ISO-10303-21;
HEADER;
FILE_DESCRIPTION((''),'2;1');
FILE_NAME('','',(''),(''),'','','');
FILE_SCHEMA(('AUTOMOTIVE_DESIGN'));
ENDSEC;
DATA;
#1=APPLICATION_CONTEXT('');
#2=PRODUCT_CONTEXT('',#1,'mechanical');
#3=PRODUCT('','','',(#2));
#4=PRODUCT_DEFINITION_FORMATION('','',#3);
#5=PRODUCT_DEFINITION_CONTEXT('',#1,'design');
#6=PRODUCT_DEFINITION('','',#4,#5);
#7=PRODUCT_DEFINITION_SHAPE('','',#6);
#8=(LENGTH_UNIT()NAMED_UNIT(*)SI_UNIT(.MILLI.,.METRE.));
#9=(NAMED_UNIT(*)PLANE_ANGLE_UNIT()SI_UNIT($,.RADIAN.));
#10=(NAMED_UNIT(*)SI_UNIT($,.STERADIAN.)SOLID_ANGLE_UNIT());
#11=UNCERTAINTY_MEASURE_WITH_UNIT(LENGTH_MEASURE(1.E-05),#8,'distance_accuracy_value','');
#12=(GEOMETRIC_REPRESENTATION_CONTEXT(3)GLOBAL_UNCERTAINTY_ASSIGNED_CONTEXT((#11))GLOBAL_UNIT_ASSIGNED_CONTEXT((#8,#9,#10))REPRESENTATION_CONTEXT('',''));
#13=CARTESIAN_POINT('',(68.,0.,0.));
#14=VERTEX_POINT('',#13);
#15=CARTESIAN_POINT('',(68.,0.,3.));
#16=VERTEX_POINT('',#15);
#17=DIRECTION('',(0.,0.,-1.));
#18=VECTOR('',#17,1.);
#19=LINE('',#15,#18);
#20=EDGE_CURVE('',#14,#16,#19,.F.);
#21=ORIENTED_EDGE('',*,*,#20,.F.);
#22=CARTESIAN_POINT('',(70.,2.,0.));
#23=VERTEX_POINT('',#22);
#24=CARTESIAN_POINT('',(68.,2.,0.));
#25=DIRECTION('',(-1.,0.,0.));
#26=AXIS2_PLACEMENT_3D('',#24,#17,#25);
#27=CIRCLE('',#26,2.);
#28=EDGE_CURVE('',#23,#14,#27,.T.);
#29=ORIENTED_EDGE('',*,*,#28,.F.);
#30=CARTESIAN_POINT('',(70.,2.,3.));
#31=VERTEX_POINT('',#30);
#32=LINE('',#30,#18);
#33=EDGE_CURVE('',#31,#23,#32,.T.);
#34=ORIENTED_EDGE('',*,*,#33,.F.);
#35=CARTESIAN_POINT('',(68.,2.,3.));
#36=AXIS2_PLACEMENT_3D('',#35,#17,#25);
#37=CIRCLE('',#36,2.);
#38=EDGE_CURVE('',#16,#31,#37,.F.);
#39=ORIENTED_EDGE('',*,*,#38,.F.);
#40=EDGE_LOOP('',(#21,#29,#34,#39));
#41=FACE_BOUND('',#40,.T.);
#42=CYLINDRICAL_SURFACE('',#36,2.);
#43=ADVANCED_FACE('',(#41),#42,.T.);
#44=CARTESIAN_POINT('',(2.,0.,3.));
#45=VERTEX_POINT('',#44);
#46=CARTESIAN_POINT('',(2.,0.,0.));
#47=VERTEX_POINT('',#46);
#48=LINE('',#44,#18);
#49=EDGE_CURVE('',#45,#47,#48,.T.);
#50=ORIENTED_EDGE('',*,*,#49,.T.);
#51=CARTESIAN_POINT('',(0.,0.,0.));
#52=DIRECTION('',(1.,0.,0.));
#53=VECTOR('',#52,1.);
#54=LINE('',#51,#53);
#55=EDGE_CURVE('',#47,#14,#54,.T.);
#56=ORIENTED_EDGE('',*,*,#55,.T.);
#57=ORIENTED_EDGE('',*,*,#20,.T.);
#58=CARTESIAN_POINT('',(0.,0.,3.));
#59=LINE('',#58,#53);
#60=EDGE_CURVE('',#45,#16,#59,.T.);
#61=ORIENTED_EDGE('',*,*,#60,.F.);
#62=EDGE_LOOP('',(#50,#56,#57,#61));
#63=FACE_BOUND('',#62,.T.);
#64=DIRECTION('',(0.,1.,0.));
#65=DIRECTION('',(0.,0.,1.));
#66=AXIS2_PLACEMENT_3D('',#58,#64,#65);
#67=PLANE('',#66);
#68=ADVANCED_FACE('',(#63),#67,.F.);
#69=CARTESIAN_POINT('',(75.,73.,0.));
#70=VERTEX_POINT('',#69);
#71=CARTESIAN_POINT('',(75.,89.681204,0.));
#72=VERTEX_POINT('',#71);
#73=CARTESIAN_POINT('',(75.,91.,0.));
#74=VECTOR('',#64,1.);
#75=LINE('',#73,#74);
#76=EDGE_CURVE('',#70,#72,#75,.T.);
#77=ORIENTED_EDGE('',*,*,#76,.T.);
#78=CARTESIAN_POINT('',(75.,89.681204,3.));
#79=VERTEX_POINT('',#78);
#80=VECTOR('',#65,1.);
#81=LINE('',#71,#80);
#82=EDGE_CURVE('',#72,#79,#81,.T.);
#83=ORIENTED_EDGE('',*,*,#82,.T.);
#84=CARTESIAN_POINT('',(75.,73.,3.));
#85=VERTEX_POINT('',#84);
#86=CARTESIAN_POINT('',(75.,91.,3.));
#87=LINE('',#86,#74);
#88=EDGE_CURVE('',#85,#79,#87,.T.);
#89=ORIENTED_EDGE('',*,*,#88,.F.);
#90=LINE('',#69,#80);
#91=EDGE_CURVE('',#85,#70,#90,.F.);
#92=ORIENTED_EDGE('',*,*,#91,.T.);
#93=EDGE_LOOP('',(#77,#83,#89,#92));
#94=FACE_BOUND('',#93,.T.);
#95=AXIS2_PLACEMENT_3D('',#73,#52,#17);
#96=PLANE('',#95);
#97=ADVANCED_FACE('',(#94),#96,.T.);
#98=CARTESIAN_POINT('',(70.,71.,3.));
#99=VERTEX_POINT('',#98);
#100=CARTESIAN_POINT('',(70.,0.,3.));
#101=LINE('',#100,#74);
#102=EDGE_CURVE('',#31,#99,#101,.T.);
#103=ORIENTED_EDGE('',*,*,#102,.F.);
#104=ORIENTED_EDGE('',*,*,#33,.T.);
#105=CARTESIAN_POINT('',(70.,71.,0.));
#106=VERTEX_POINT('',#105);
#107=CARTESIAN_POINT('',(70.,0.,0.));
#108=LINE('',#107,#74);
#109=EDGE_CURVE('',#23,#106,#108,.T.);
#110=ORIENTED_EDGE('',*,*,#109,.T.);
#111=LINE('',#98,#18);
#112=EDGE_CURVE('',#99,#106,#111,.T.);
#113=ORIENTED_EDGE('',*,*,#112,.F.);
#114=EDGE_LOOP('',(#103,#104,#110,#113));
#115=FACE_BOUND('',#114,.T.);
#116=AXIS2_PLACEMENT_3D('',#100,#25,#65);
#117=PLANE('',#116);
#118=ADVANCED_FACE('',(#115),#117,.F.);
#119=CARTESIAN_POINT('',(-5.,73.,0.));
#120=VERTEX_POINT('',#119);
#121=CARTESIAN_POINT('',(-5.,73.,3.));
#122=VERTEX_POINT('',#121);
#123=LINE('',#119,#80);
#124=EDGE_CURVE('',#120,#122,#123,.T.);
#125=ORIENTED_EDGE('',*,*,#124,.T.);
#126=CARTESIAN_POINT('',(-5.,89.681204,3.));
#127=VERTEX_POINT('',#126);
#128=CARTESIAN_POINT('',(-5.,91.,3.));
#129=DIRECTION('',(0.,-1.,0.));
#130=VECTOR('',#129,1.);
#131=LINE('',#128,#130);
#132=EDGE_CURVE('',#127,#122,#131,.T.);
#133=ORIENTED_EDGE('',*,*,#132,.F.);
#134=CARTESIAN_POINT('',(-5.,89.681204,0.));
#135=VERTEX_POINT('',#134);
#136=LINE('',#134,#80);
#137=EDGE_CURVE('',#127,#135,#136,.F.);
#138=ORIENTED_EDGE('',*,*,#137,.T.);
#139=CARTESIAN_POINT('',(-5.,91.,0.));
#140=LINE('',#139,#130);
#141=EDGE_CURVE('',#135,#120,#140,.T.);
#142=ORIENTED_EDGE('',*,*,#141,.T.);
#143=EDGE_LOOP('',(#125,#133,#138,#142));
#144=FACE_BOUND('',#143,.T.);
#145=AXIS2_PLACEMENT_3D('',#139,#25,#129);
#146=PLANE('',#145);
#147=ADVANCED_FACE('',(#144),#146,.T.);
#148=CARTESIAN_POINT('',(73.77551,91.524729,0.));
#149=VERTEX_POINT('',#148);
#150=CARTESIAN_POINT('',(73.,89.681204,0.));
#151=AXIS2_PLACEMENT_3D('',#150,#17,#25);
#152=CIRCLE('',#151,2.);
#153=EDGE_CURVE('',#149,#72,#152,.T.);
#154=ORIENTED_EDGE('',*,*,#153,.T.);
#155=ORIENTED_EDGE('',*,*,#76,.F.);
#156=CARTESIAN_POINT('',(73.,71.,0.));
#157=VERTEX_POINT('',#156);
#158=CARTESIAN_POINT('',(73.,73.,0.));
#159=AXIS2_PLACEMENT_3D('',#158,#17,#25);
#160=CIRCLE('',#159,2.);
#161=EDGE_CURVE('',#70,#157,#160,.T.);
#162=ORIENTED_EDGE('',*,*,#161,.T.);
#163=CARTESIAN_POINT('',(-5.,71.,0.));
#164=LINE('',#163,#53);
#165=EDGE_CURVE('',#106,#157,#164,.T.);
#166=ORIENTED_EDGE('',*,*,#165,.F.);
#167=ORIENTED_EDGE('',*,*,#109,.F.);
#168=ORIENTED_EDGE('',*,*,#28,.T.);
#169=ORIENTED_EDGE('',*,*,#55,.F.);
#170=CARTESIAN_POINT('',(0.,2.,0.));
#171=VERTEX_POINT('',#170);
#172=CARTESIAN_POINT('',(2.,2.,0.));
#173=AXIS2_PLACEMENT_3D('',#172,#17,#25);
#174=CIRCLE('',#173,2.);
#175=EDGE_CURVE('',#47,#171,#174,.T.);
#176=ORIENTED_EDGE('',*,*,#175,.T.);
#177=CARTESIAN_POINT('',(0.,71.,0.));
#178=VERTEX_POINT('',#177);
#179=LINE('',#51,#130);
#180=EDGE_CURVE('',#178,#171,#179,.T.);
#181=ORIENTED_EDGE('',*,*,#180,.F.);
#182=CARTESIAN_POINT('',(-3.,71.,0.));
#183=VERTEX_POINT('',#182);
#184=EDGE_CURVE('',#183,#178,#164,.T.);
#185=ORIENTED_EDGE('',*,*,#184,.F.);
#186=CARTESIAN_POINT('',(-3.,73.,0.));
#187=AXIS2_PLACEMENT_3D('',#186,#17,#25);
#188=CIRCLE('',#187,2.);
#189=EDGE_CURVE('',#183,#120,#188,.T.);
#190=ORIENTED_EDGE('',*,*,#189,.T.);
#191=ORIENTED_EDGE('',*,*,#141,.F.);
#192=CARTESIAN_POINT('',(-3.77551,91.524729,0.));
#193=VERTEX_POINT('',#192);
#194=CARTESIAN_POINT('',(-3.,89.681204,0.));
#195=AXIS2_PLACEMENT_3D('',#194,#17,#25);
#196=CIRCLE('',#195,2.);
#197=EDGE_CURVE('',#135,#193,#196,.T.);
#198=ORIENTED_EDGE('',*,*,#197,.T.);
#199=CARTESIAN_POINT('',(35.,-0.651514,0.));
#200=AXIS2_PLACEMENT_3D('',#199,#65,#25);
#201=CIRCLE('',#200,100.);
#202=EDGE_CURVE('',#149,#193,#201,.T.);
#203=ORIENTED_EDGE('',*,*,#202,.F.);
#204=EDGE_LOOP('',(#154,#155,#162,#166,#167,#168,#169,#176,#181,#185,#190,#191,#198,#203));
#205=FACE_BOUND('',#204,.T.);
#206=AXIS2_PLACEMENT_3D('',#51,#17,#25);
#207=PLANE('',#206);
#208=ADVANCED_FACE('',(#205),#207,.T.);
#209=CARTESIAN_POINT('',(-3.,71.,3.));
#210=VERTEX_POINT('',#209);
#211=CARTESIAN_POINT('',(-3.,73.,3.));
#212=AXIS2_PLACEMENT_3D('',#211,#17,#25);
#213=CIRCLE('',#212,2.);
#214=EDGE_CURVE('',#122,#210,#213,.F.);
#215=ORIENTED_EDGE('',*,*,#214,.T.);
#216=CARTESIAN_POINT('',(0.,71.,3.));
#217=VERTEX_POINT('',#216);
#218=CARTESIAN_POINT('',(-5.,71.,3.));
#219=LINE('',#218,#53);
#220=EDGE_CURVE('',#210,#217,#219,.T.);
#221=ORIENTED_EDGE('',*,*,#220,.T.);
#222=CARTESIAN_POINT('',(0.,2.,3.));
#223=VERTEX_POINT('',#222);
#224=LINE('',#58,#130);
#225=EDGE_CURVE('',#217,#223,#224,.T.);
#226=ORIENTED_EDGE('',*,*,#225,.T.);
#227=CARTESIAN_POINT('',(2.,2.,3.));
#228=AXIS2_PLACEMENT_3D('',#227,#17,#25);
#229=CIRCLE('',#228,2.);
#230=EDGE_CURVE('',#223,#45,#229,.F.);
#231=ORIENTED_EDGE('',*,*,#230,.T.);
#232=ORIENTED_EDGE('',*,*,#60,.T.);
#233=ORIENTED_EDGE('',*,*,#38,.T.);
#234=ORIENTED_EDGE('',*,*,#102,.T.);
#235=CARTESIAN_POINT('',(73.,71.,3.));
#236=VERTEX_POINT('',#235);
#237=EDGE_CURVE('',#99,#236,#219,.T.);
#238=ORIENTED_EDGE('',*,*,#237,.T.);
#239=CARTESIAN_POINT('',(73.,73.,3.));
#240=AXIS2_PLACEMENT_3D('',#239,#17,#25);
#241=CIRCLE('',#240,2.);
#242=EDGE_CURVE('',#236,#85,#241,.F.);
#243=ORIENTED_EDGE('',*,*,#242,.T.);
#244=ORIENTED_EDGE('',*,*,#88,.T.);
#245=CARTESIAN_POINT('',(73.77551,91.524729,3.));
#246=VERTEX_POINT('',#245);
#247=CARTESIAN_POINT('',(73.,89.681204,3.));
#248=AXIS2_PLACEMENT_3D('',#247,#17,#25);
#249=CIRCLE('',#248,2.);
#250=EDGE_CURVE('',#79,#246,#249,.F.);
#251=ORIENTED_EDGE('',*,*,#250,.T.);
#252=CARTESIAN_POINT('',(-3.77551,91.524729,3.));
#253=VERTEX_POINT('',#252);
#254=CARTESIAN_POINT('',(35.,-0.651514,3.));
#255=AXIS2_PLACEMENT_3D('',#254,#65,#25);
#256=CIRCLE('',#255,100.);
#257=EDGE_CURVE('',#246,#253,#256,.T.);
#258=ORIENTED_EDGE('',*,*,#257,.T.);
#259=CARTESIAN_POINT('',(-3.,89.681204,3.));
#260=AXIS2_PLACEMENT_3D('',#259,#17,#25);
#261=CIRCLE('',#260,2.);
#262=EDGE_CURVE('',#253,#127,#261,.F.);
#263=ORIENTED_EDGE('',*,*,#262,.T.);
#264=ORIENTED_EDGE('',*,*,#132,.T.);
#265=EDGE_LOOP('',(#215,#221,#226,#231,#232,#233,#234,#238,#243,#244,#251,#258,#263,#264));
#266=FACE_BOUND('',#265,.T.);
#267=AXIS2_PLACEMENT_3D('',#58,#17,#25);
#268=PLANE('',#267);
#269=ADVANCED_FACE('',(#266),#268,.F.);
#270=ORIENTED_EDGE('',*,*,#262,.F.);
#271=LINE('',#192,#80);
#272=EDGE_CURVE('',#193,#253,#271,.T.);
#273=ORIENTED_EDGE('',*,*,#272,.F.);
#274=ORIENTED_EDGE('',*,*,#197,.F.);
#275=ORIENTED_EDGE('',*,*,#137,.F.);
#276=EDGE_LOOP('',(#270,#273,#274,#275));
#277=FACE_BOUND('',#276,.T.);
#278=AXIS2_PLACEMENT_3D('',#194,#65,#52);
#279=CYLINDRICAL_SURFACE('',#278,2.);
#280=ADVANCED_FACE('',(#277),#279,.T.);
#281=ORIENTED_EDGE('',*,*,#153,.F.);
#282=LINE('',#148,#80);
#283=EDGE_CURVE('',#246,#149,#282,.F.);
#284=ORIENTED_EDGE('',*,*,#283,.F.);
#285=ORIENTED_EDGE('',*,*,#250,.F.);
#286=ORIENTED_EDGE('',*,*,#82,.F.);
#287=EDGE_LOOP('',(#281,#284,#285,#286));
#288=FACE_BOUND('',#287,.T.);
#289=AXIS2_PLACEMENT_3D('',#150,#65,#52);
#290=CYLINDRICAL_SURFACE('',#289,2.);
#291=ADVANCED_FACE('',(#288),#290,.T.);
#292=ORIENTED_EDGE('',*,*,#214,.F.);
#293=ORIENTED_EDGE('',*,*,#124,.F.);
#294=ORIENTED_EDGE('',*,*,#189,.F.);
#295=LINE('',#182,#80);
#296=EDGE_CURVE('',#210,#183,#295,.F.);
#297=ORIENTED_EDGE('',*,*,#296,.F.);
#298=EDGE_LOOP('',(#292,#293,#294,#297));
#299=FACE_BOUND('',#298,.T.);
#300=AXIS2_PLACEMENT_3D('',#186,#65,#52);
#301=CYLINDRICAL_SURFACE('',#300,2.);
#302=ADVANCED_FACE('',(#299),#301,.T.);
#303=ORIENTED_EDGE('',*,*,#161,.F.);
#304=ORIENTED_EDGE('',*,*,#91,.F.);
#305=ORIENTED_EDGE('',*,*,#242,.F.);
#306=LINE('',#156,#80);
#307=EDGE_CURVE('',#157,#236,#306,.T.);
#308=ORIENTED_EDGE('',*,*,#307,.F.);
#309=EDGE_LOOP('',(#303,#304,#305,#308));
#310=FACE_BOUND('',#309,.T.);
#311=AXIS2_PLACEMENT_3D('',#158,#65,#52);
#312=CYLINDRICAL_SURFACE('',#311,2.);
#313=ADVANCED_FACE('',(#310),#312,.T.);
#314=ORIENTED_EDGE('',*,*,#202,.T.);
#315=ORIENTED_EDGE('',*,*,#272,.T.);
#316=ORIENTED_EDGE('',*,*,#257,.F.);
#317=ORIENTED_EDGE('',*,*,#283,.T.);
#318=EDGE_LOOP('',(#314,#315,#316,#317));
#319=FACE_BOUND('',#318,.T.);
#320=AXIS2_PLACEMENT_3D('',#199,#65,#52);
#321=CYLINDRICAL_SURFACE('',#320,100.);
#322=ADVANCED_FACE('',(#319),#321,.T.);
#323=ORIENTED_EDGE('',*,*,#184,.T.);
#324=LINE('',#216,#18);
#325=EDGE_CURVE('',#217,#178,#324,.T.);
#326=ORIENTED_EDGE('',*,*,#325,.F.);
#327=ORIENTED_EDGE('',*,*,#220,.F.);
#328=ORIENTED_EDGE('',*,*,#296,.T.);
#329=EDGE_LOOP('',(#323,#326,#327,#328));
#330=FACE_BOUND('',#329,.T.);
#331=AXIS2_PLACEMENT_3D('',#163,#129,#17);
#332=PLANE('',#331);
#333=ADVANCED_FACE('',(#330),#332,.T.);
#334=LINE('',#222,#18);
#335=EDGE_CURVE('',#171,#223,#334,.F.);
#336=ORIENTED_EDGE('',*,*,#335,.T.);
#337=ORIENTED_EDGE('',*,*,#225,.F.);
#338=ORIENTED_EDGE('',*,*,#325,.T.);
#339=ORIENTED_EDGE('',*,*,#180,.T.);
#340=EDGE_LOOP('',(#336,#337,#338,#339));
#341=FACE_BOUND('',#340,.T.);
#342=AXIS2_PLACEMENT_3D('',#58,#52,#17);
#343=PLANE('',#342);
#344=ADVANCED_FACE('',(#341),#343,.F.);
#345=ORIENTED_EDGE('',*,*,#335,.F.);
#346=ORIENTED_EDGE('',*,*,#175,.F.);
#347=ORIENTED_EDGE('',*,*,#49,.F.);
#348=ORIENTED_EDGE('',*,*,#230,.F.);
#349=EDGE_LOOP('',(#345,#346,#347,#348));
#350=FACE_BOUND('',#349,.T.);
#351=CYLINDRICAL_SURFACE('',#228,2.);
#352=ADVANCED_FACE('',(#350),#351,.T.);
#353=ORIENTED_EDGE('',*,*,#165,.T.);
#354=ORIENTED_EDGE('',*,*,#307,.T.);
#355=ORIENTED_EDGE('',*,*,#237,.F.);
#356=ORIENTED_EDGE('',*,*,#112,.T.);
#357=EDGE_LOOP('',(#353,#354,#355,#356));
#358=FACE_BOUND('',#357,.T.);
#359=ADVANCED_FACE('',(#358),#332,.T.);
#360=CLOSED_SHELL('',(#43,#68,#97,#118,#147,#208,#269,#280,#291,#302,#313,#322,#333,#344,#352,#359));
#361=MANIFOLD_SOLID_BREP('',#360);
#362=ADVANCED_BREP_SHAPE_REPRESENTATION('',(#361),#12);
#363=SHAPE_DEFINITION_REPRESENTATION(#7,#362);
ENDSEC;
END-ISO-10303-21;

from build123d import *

# Parameters (mm, degrees)
ESQUISSE1_W        = 70
ESQUISSE1_H        = 71
BOSS_EXTRU_1_DEPTH = 3
BOSS_EXTRU_2_DEPTH = 3
CONG_1_R           = 2


with BuildPart() as part:
    # Esquisse1 → Boss.-Extru.1 (new body)
    with BuildSketch(Plane.XY):
        with Locations((35, 35.5)):
            Rectangle(ESQUISSE1_W, ESQUISSE1_H)
    extrude(amount=BOSS_EXTRU_1_DEPTH)

    # Esquisse2 → Boss.-Extru.2 (add)
    with BuildSketch(Plane.XY.offset(3)):
        with BuildLine():
            Line((-5, 91), (-5, 71))
            Line((-5, 71), (75, 71))
            Line((75, 71), (75, 91))
            ThreePointArc((75, 91), (35, 99.348486101), (-5, 91))
        make_face()
    extrude(amount=-BOSS_EXTRU_2_DEPTH)

    # Congé1
    cong_1_edges = [part.edges().sort_by_distance(p)[0] for p in [
        (-5, 91, 1.5),
        (75, 91, 1.5),
        (75, 71, 1.5),
        (-5, 71, 1.5),
        (70, 0, 1.5),
        (0, 0, 1.5),
    ]]
    fillet(cong_1_edges, radius=CONG_1_R)


solid = part.part
